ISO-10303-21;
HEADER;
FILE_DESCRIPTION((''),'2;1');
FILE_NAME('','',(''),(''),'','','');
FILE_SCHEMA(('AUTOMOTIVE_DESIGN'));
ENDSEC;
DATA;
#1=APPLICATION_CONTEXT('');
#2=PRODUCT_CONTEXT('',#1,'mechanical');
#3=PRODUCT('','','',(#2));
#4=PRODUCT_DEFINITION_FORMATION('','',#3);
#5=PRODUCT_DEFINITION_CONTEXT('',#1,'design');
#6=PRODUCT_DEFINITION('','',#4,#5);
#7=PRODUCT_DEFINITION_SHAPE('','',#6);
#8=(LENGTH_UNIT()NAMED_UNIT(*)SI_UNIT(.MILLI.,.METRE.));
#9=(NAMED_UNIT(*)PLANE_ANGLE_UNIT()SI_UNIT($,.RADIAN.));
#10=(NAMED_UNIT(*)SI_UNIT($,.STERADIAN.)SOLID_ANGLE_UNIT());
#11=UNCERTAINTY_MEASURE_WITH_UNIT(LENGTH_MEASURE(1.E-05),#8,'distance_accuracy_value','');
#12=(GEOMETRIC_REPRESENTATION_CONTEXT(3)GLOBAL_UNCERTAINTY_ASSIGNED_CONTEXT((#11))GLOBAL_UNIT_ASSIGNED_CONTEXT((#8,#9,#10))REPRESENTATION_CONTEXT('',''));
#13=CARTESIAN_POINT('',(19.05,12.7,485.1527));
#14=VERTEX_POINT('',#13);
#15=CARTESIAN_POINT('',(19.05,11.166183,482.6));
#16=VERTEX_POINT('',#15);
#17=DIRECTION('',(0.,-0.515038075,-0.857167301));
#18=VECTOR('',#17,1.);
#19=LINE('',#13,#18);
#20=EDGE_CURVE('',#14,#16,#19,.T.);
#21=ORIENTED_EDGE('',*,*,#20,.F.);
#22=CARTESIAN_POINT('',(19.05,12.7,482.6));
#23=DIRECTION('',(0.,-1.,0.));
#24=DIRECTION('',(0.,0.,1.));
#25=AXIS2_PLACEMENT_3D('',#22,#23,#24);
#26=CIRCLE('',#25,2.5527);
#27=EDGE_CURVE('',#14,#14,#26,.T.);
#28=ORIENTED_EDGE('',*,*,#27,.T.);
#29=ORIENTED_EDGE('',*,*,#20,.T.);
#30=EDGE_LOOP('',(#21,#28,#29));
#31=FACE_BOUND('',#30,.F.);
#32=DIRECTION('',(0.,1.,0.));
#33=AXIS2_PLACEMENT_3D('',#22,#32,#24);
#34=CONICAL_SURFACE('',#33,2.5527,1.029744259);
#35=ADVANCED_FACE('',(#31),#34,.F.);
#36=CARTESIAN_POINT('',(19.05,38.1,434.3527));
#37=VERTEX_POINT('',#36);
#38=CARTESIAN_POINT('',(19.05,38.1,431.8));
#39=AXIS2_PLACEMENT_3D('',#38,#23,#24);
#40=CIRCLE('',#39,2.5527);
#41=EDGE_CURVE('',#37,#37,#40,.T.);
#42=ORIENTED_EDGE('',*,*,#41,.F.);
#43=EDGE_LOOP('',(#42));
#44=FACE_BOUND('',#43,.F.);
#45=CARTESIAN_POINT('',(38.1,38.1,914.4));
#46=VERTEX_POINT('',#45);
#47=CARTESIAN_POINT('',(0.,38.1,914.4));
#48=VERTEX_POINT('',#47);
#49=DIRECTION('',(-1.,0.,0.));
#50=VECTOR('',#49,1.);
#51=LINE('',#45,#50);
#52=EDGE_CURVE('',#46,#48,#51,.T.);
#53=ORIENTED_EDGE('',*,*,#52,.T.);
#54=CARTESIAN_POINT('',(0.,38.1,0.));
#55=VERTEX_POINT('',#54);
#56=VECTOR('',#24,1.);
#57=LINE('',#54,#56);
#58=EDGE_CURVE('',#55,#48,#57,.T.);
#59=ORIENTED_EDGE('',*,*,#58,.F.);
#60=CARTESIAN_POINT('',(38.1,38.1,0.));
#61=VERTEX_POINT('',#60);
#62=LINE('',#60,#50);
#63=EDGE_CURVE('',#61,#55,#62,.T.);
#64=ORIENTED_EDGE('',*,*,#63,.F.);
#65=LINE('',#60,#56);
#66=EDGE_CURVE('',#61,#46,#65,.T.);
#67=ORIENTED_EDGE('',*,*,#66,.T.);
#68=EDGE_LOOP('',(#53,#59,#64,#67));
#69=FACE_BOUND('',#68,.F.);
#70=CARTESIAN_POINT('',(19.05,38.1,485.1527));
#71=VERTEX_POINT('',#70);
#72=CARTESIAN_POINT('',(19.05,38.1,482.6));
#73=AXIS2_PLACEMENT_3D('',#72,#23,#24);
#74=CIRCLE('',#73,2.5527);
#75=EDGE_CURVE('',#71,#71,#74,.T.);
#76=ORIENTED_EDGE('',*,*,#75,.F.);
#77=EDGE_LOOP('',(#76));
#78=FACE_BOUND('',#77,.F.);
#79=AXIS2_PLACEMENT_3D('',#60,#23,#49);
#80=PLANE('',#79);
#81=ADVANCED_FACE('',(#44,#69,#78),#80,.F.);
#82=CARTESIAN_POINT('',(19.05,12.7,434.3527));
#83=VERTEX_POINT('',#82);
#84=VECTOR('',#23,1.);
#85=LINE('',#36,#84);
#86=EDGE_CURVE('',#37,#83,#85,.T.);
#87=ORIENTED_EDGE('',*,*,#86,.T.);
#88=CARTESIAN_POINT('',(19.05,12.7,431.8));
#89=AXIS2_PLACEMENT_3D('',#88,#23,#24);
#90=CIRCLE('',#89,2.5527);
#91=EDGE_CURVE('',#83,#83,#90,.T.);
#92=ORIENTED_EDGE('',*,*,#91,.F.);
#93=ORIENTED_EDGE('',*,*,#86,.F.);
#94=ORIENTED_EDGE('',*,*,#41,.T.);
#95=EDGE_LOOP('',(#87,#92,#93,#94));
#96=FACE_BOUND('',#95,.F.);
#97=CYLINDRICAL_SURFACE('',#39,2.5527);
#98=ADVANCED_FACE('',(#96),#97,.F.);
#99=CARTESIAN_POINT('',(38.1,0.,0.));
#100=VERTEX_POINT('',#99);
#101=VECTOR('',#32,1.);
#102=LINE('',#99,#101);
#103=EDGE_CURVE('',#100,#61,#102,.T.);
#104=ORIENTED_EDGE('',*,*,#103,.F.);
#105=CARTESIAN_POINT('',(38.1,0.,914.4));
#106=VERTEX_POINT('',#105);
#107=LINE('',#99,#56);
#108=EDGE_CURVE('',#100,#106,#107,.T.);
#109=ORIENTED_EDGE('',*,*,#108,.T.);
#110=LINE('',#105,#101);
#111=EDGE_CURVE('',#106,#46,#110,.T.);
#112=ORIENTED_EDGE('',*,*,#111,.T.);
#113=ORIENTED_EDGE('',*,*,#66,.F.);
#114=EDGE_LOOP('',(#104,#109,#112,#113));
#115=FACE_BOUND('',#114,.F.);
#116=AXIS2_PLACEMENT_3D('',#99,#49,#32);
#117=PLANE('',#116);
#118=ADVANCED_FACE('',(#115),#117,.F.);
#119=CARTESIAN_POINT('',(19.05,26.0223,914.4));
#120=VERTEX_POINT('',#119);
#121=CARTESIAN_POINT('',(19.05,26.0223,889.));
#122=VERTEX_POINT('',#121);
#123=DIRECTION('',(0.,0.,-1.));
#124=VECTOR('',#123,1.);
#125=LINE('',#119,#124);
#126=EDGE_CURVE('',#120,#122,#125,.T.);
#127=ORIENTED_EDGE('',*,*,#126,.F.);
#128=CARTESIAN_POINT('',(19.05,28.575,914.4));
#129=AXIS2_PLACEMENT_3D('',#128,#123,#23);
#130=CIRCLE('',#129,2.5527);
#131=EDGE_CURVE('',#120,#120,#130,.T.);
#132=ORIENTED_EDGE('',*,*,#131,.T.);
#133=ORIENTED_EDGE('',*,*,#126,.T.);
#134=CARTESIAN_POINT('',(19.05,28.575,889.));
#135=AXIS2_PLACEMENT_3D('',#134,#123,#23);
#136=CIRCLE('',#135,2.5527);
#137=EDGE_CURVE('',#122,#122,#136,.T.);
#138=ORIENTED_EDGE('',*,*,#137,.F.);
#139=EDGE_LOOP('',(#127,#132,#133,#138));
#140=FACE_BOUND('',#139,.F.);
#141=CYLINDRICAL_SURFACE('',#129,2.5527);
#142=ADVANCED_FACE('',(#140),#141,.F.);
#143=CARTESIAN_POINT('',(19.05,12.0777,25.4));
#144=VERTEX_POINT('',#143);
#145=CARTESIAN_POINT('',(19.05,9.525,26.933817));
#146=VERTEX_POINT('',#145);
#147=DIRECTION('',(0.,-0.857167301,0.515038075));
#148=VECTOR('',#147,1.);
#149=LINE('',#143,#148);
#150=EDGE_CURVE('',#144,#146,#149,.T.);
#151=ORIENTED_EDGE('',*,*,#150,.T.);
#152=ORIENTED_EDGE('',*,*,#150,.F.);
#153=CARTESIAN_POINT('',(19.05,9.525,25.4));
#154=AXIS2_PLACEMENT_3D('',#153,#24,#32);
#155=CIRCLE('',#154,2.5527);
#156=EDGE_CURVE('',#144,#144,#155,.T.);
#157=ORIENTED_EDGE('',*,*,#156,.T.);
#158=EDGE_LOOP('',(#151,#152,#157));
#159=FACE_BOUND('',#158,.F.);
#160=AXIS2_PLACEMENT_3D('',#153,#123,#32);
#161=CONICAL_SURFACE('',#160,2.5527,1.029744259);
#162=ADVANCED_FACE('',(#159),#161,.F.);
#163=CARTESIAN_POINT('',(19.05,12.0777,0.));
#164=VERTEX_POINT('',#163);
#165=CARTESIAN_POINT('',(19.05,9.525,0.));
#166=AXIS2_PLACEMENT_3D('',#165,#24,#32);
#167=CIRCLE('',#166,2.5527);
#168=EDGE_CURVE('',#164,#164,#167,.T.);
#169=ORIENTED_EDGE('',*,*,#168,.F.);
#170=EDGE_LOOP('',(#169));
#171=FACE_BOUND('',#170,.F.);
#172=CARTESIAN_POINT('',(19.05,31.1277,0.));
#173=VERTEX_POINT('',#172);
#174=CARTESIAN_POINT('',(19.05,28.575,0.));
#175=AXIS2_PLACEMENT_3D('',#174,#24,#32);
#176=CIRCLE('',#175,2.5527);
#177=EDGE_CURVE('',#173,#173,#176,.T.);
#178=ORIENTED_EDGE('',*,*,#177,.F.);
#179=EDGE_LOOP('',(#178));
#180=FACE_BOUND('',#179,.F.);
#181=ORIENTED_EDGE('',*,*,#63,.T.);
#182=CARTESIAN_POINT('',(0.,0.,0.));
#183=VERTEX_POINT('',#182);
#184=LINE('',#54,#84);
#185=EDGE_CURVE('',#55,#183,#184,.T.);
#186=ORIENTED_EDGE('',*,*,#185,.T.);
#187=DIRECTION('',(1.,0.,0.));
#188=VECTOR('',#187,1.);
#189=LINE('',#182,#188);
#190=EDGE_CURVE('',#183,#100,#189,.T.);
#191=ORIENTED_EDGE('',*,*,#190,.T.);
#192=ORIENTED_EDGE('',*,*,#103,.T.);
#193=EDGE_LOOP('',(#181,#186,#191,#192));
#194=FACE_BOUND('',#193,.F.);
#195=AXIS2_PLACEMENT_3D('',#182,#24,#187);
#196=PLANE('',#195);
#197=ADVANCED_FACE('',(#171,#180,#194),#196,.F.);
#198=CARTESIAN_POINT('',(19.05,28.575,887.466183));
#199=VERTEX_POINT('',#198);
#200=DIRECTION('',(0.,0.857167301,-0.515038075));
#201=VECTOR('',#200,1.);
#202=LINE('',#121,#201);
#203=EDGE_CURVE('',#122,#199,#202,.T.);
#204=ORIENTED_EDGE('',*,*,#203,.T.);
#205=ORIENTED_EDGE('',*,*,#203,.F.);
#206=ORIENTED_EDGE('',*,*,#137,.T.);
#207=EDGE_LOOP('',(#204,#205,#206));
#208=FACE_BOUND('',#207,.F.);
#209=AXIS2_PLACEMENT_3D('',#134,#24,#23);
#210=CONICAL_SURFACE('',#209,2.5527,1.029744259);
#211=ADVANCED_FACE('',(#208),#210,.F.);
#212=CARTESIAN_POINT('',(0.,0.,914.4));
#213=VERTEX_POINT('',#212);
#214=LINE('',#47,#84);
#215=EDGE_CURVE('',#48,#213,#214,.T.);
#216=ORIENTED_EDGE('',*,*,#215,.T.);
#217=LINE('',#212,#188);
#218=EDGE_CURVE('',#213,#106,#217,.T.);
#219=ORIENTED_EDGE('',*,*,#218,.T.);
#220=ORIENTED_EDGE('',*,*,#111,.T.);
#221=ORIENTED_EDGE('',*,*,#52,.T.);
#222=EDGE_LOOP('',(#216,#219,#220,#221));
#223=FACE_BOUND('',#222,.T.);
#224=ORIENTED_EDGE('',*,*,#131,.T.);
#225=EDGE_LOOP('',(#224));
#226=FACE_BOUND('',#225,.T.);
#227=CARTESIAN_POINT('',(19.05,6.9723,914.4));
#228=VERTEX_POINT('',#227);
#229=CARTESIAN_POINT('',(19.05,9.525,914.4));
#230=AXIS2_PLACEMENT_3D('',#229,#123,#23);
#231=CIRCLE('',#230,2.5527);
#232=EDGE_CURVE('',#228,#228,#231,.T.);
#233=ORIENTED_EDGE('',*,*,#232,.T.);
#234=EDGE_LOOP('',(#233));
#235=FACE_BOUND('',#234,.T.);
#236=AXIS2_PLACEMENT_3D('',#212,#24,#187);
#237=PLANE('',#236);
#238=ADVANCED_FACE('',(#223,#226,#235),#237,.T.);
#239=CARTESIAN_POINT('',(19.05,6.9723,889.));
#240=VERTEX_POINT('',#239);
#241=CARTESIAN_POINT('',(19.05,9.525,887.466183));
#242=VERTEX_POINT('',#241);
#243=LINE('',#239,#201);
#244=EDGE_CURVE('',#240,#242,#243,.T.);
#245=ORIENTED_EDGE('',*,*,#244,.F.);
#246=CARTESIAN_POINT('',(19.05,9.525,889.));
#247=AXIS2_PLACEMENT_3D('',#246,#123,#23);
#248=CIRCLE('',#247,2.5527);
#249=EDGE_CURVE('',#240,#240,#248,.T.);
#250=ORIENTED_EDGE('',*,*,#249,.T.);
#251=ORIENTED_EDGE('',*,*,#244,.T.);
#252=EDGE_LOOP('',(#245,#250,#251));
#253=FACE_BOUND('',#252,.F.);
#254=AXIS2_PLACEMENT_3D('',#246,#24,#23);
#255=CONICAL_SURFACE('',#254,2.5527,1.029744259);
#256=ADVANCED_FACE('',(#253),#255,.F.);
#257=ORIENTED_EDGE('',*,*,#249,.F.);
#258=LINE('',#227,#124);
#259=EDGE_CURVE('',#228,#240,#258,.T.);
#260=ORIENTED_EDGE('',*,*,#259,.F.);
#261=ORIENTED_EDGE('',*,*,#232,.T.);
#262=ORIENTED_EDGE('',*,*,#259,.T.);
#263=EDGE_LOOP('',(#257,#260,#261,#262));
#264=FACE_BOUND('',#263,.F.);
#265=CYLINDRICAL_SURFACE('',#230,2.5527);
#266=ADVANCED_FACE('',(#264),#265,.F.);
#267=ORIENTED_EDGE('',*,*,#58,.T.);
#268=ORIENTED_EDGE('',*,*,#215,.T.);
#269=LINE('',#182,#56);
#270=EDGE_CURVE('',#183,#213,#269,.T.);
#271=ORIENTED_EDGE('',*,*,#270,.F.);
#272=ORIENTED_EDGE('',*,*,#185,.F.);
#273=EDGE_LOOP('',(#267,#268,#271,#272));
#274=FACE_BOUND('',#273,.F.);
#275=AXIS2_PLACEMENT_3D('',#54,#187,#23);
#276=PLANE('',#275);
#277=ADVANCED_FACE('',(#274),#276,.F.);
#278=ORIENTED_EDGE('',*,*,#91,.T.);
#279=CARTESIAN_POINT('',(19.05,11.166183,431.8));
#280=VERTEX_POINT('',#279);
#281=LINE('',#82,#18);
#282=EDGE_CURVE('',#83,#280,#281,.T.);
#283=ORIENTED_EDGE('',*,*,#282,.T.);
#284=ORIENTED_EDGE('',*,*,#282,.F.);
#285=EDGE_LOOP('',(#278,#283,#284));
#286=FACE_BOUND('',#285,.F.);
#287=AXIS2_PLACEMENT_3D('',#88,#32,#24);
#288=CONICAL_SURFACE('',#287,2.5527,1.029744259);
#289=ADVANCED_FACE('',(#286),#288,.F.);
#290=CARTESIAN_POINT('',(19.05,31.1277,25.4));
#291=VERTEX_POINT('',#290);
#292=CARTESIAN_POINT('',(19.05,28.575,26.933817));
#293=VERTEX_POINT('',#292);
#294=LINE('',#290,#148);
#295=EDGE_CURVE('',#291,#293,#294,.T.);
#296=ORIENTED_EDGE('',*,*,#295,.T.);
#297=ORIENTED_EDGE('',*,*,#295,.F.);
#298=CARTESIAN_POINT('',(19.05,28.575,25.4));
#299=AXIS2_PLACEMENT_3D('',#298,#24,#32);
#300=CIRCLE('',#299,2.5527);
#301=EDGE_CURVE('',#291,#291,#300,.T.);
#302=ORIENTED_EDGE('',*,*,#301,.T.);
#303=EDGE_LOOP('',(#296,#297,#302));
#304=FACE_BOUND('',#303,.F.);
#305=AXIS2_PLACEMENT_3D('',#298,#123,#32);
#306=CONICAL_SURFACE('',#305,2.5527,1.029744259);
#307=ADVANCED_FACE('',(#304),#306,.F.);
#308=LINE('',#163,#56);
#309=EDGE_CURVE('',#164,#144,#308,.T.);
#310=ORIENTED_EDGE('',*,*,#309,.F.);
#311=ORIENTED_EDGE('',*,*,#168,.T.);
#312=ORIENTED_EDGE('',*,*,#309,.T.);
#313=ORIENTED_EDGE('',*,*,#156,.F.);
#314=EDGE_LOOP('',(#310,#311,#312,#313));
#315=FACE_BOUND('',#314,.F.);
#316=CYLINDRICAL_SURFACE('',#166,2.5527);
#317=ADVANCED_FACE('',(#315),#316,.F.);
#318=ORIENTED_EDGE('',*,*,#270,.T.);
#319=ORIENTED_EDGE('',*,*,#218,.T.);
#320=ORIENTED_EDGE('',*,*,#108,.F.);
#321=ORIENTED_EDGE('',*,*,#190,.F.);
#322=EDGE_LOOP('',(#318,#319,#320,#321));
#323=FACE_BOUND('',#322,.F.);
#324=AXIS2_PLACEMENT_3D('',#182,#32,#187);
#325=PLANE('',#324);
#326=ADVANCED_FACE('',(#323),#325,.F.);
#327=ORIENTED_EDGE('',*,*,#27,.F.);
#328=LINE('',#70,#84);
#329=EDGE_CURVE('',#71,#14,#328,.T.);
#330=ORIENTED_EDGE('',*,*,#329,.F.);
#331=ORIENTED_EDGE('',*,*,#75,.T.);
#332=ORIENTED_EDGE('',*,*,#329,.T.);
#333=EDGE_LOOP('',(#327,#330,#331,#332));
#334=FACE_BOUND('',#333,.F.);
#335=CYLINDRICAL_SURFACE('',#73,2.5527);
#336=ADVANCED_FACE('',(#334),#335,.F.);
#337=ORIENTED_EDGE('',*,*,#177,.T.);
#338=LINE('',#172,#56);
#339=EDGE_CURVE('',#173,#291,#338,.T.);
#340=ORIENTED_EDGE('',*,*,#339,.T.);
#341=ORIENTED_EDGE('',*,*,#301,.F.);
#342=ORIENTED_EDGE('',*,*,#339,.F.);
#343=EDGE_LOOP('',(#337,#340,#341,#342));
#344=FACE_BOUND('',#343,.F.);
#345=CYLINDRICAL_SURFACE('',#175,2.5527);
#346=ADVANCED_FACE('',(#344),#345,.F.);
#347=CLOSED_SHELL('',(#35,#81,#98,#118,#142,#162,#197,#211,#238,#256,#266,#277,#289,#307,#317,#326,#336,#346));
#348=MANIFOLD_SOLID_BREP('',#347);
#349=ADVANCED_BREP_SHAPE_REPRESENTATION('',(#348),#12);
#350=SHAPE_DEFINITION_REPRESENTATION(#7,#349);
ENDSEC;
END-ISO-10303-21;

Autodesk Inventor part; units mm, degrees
ref_plane "YZ Plane" through (0, 0, 0) normal (1, 0, 0) x (0, 1, 0)
ref_plane "XZ Plane" through (0, 0, 0) normal (0, 1, 0) x (-1, 0, 0)
ref_plane "XY Plane" through (0, 0, 0) normal (0, 0, 1) x (1, 0, 0)
sketch "Sketch1" plane through (0, 0, 0) normal (0, 0, 1) x (1, 0, 0)
  line L0 (0, 0) -> (38.1, 0)
  line L1 (38.1, 0) -> (38.1, 38.1)
  line L2 (38.1, 38.1) -> (0, 38.1)
  line L3 (0, 38.1) -> (0, 0)
  dimension "d0" = 38.1
  dimension "d1" = 38.1
extrude "Extrusion1" add sketch "Sketch1" along normal blind 914.4
sketch "Sketch5" plane through (0, 38.1, 0) normal (0, 1, 0) x (1, 0, 0)
  line L0 (0, 0) -> (0, -914.4) projected
  line L1 (38.1, 0) -> (38.1, -914.4) projected
  line L2 (0, -457.2) -> (38.1, -457.2) construction
  circle A0 centre (19.05, -431.8) radius 3.4999
  circle A1 centre (19.05, -482.6) radius 3.4999
  dimension "d51" = 25.4
hole "Hole4" at (19.05, 38.1, 482.6) at (19.05, 38.1, 431.8) direction (0, -1, 0) diameter 5.1054 depth 25.4 tip angle 118 clearance for "Flat Head Machine Screw (82)" size "#10" standard "Ansi Unified Screw Threads"
sketch "Sketch6" plane through (0, 0, 914.4) normal (0, 0, 1) x (1, 0, 0)
  line L0 (38.1, 0) -> (38.1, 38.1) projected
  line L1 (38.1, 38.1) -> (0, 38.1) projected
  line L2 (0, 38.1) -> (0, 0) projected
  circle A0 centre (19.05, 28.575) radius 6.9731
  line L3 (0, 19.05) -> (38.1, 19.05) construction
  circle A1 centre (19.05, 9.525) radius 6.9731
  dimension "d59" = 9.525
hole "Hole5" at (19.05, 28.575, 914.4) at (19.05, 9.525, 914.4) direction (0, 0, -1) diameter 5.1054 depth 25.4 tip angle 118 clearance for "Flat Head Machine Screw (82)" size "#10" standard "Ansi Unified Screw Threads"
sketch "Sketch7" plane through (0, 0, 0) normal (0, 0, -1) x (-1, 0, 0)
  line L0 (0, 38.1) -> (0, 0) projected
  line L1 (-38.1, 38.1) -> (0, 38.1) projected
  line L2 (-38.1, 0) -> (-38.1, 38.1) projected
  circle A0 centre (-19.05, 28.575) radius 2.9201
  line L3 (-38.1, 19.05) -> (0, 19.05) construction
  circle A1 centre (-19.05, 9.525) radius 2.9201
  dimension "d67" = 9.525
hole "Hole6" at (19.05, 28.575, 0) at (19.05, 9.525, 0) direction (0, 0, 1) diameter 5.1054 depth 25.4 tip angle 118 clearance for "Flat Head Machine Screw (82)" size "#10" standard "Ansi Unified Screw Threads"
equation "\"d59\" = 0.25 * d1"
equation "\"d67\" = 0.25 * d1"
properties part number "hubjig_side1" material "Wood (Cherry)"
